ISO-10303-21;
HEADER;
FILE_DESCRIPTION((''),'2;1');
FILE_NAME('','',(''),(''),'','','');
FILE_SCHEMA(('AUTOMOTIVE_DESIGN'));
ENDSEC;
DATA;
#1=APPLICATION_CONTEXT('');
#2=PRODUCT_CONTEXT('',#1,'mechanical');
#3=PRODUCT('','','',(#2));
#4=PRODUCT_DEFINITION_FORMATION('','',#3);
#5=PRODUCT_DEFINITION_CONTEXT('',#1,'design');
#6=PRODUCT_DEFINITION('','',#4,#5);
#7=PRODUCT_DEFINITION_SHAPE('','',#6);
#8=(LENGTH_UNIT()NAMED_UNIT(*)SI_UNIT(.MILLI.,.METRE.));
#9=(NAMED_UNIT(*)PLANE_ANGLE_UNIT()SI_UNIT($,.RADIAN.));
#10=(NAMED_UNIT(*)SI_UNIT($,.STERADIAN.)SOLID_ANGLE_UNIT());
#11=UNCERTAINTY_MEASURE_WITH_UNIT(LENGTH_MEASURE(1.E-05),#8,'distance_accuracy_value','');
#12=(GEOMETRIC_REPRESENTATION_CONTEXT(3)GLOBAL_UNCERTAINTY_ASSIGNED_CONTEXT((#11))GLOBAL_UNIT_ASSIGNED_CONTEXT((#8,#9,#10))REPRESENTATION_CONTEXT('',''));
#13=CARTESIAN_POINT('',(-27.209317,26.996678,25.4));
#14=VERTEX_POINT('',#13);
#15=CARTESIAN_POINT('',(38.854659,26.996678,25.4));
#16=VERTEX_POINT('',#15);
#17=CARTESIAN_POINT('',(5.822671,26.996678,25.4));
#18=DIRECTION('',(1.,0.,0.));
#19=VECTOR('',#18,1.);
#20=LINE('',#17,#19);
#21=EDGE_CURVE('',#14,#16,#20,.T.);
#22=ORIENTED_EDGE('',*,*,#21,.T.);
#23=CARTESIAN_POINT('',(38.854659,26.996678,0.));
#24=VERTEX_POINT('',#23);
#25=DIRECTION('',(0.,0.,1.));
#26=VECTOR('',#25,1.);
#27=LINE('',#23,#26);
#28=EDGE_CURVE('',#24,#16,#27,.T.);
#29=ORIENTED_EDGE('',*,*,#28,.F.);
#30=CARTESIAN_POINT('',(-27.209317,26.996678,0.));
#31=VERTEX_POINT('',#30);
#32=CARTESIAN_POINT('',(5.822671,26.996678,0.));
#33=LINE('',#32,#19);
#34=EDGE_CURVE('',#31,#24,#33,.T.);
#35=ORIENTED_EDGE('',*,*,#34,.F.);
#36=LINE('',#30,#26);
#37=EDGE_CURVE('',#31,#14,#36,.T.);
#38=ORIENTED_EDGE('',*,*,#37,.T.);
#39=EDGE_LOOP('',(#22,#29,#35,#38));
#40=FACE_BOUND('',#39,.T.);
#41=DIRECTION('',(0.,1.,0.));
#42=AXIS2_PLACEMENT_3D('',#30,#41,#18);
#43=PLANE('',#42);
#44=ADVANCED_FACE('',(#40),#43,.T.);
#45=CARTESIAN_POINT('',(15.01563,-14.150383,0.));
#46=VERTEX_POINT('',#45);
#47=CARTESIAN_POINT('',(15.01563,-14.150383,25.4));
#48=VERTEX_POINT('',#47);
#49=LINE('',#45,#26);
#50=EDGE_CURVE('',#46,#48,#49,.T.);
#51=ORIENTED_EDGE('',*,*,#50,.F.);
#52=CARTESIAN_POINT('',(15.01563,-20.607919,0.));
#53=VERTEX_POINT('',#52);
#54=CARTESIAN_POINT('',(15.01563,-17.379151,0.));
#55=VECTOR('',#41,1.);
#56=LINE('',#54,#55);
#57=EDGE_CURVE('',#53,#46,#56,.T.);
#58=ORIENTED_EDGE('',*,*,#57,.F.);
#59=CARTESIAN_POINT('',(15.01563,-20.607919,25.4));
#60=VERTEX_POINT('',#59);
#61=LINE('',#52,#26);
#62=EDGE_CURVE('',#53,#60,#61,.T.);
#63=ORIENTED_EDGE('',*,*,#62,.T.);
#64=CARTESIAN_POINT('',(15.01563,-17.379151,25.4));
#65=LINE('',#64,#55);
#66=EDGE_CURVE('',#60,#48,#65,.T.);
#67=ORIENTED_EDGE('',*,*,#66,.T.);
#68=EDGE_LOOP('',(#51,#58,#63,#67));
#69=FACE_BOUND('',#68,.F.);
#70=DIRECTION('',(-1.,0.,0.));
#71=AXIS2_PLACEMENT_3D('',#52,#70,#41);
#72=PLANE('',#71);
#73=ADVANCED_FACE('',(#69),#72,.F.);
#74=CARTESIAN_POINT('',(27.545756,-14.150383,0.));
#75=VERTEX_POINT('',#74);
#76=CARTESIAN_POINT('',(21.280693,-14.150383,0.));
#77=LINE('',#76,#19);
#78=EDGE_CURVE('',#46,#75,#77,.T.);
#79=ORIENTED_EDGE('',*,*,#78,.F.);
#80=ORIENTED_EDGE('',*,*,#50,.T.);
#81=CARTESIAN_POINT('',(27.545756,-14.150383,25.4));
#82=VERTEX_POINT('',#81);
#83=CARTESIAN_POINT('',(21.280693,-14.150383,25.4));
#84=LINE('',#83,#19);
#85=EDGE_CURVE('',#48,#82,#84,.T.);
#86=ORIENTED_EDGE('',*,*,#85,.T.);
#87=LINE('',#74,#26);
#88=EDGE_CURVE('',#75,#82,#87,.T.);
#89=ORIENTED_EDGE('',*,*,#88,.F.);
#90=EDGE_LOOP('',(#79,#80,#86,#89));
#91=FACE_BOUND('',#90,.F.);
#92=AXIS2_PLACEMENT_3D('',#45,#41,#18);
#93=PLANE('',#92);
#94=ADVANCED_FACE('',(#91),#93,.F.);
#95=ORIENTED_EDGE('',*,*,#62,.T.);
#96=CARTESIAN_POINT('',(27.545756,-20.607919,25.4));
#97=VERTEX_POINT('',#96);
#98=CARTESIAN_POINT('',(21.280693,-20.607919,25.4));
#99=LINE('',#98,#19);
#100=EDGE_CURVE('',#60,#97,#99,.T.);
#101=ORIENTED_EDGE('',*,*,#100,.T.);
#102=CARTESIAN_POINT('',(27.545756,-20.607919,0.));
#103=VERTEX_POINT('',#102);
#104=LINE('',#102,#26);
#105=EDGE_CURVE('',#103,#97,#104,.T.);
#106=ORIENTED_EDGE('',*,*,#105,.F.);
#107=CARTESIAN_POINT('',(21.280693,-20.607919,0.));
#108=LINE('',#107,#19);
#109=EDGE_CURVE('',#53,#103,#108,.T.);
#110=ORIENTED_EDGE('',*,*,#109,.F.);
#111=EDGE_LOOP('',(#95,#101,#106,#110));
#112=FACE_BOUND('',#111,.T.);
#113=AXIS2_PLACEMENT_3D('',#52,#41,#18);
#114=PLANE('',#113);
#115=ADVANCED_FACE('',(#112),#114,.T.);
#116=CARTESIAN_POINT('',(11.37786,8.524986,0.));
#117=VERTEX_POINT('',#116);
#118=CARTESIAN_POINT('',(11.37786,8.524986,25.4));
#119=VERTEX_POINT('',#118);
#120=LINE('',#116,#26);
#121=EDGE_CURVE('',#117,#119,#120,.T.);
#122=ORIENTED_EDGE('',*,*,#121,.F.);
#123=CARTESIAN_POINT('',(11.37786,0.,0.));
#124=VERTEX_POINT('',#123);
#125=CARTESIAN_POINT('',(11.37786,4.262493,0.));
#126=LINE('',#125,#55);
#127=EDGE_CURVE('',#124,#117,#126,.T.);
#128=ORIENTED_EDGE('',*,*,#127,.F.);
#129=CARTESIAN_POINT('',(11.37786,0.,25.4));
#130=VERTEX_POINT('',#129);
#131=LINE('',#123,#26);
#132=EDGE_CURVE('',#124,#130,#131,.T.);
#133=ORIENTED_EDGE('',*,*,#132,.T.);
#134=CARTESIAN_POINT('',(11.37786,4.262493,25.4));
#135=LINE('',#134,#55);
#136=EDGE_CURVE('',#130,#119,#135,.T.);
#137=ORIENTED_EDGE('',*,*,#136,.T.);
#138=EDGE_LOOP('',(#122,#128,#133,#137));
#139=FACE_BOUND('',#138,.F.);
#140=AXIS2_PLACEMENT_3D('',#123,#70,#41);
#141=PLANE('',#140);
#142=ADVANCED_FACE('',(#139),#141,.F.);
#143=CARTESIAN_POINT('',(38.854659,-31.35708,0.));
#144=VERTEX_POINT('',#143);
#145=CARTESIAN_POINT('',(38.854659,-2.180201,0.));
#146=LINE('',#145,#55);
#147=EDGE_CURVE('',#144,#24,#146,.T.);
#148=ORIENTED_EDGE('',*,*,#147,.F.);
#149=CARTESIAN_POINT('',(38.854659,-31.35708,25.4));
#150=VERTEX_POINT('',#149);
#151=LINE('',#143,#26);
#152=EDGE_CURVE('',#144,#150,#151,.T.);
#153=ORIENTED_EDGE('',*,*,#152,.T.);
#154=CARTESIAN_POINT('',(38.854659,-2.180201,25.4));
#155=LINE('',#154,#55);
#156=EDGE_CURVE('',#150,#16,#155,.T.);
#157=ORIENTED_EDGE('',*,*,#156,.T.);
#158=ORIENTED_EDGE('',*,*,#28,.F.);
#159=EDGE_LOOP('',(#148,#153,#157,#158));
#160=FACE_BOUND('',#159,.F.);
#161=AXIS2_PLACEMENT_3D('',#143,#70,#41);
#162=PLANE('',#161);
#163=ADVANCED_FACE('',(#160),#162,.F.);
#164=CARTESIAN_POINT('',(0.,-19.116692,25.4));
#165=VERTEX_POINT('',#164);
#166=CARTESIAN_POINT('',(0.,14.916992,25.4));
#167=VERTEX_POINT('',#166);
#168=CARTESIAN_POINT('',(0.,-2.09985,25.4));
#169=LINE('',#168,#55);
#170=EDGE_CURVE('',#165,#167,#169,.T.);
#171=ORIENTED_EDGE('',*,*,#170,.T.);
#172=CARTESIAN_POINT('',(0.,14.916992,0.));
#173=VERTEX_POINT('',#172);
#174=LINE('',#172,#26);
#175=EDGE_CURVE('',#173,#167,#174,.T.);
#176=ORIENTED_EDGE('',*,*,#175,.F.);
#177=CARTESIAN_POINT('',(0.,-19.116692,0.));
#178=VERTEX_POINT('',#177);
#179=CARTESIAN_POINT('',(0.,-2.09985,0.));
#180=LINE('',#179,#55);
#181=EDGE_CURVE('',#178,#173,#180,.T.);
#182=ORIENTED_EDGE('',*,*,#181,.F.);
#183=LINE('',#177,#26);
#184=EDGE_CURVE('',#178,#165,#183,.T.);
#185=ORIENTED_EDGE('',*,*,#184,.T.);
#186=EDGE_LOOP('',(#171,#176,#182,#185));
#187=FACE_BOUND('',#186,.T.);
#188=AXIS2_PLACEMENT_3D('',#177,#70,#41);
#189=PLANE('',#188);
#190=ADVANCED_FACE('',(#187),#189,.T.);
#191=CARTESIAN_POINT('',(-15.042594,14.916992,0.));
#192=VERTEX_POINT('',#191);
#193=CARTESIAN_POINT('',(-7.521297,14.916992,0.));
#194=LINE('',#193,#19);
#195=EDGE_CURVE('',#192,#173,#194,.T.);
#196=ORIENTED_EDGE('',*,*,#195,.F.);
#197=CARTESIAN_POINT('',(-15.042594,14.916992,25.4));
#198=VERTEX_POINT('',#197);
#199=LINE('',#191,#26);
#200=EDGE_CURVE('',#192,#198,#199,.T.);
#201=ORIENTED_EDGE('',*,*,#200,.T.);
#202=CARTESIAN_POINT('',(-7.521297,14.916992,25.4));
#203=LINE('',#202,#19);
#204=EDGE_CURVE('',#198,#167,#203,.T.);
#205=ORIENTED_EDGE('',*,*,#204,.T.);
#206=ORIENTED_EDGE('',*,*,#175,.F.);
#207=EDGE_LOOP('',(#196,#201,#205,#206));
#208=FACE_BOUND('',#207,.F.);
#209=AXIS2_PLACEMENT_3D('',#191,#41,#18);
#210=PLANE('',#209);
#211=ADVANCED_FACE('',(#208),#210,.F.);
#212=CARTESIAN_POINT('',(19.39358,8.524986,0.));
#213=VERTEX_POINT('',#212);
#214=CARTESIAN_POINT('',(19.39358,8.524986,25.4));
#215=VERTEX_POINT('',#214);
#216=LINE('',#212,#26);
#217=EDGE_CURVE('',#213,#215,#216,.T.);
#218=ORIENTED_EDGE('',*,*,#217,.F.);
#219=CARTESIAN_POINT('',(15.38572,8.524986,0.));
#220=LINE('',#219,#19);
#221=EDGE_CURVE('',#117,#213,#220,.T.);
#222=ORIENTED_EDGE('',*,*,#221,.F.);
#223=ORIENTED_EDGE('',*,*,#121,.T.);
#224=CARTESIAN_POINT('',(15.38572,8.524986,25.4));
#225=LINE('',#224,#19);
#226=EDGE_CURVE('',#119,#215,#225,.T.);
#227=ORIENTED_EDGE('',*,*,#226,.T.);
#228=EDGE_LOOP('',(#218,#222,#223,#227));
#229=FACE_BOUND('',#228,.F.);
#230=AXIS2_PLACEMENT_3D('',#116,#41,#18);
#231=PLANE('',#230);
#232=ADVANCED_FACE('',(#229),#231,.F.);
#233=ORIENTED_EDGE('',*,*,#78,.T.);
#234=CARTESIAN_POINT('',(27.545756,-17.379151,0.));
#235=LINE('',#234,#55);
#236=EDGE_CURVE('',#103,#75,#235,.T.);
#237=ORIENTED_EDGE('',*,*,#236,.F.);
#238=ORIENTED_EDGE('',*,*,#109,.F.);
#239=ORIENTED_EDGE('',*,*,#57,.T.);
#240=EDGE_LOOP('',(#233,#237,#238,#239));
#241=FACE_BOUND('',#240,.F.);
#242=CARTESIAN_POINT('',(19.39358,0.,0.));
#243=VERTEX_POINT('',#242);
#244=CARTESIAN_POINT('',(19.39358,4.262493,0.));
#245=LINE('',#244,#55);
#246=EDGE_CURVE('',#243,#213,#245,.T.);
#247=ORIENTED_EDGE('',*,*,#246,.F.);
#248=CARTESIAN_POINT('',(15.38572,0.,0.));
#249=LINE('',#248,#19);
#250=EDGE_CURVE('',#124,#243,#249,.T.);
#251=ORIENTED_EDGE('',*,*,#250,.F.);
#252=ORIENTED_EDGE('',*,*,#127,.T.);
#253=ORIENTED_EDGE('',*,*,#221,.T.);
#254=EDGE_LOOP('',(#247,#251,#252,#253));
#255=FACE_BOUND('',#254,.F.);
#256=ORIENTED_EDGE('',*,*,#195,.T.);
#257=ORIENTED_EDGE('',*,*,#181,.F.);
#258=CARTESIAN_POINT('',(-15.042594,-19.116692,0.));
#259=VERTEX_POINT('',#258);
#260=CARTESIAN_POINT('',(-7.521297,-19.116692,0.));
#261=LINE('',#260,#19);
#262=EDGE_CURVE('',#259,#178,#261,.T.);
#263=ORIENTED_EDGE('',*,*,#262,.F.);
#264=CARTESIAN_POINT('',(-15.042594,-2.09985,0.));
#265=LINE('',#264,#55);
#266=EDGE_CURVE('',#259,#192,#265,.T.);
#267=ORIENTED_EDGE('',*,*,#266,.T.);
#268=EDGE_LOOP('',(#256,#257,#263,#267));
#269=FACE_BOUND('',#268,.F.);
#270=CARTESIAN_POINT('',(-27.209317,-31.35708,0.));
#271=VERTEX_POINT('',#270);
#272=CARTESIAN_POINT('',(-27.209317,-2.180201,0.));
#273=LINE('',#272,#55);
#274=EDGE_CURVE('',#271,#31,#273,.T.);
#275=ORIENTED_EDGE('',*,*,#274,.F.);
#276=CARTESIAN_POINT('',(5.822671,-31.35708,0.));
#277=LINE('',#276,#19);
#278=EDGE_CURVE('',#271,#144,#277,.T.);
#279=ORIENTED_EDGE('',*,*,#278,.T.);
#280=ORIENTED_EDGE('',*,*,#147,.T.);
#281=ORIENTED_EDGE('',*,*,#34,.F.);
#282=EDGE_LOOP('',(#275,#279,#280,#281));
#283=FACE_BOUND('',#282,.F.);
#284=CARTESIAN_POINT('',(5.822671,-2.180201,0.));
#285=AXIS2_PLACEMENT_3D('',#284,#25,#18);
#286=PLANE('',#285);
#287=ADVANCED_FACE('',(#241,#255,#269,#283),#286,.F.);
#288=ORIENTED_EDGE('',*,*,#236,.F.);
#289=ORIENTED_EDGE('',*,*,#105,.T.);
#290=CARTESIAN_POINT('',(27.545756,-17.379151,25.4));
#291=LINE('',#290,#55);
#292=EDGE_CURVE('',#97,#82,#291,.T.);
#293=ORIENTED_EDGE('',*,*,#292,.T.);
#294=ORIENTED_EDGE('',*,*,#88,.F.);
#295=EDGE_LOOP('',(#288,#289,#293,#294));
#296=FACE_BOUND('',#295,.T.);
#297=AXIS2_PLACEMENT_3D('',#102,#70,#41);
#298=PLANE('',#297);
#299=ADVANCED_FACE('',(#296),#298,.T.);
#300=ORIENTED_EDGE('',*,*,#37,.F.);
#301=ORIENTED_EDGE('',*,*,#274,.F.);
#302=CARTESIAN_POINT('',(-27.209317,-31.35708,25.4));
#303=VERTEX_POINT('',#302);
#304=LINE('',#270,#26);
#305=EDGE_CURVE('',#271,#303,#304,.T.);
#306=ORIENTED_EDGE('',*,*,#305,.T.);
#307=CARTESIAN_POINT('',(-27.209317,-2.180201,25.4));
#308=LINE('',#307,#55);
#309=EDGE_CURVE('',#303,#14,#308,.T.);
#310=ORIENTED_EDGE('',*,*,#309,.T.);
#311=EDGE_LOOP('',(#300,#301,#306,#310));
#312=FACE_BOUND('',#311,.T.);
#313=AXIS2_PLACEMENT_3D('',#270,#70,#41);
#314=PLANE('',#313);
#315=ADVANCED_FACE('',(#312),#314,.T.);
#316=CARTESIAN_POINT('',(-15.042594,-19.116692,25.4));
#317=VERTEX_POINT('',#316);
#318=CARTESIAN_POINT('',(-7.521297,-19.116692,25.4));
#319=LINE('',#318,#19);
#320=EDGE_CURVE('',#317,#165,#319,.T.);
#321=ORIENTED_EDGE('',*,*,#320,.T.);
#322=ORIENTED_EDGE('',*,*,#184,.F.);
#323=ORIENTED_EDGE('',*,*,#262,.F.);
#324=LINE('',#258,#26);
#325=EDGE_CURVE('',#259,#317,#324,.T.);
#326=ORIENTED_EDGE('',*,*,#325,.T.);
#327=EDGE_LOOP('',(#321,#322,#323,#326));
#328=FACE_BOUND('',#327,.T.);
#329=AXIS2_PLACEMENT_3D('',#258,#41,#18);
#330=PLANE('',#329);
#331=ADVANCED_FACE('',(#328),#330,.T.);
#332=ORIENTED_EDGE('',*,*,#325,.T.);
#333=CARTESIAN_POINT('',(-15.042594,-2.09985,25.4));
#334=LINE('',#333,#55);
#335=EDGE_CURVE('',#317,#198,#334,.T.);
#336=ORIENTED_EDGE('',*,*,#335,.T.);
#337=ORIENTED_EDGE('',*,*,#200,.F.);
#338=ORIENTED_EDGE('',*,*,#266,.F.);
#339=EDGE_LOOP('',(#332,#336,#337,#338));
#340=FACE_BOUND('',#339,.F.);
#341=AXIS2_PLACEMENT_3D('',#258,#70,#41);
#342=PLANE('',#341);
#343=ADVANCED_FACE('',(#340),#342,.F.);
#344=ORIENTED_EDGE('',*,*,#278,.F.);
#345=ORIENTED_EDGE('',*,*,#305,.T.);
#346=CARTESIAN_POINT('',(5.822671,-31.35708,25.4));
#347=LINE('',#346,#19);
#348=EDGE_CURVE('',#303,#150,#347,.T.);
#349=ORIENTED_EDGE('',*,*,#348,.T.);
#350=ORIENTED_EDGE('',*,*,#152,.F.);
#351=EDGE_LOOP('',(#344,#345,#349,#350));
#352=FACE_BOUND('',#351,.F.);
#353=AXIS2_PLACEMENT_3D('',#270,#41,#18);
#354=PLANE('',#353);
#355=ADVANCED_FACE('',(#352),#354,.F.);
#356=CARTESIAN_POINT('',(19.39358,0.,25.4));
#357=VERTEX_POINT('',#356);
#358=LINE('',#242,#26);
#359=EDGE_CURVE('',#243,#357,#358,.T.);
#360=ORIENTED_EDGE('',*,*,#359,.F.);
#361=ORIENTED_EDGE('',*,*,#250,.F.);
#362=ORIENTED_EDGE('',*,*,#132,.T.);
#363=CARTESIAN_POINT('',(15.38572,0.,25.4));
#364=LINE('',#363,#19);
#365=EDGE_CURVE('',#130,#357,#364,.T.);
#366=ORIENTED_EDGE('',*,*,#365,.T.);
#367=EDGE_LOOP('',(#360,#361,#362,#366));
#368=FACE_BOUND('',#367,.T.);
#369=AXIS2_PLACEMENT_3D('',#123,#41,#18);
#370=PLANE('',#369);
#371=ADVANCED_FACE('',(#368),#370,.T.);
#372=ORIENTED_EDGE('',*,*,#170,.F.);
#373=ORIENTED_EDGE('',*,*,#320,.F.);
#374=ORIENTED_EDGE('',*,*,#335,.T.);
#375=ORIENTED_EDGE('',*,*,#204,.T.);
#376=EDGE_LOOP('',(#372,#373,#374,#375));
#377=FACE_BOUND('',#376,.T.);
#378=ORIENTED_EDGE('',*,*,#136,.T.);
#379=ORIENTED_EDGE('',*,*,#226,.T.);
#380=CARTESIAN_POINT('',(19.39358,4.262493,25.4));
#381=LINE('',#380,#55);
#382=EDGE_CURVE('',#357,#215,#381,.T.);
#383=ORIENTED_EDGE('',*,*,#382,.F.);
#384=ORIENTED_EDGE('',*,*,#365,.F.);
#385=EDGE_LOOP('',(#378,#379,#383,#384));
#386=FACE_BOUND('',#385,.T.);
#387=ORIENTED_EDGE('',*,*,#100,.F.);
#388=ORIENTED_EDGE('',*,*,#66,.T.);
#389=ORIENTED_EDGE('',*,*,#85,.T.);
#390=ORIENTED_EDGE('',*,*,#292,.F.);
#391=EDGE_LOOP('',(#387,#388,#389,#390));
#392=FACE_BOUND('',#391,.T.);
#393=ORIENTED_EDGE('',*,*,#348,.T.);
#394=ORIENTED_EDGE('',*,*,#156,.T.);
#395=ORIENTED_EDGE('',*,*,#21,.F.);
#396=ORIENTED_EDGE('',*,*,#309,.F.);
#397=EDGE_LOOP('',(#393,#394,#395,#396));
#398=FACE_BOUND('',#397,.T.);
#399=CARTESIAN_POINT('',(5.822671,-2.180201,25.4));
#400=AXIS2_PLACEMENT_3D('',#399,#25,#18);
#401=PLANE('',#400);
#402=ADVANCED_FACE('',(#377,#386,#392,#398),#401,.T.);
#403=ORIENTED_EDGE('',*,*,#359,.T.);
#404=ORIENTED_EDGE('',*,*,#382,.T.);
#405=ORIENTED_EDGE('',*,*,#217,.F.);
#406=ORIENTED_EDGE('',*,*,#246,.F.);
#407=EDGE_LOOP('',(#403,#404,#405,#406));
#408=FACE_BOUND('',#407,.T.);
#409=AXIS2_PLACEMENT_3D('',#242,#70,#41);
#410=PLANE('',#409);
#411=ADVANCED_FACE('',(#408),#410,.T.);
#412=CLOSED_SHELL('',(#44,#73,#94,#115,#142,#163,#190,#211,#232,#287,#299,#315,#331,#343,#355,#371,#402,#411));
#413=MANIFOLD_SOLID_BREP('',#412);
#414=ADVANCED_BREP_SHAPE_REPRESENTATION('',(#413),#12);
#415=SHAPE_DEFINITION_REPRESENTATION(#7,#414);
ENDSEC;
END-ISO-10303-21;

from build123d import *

# Parameters (mm, degrees)
F0_W     = 66.063976
F0_H     = 58.353758
F0_W_2   = 12.530126
F0_H_2   = 6.457536
F0_W_3   = 15.042593
F0_H_3   = 34.033684
F0_W_4   = 8.01572
F0_H_4   = 8.524986
F1_DEPTH = 25.4


with BuildPart() as f1:
    # F0 (on Top) → F1 (new body)
    with BuildSketch(Plane.XY):
        with Locations((5.822671, -2.180201)):
            Rectangle(F0_W, F0_H)
        with Locations((21.280693, -17.379151)):
            Rectangle(F0_W_2, F0_H_2, mode=Mode.SUBTRACT)
        with Locations((-7.521297, -2.09985)):
            Rectangle(F0_W_3, F0_H_3, mode=Mode.SUBTRACT)
        with Locations((15.38572, 4.262493)):
            Rectangle(F0_W_4, F0_H_4, mode=Mode.SUBTRACT)
    extrude(amount=F1_DEPTH)


solid = f1.part
